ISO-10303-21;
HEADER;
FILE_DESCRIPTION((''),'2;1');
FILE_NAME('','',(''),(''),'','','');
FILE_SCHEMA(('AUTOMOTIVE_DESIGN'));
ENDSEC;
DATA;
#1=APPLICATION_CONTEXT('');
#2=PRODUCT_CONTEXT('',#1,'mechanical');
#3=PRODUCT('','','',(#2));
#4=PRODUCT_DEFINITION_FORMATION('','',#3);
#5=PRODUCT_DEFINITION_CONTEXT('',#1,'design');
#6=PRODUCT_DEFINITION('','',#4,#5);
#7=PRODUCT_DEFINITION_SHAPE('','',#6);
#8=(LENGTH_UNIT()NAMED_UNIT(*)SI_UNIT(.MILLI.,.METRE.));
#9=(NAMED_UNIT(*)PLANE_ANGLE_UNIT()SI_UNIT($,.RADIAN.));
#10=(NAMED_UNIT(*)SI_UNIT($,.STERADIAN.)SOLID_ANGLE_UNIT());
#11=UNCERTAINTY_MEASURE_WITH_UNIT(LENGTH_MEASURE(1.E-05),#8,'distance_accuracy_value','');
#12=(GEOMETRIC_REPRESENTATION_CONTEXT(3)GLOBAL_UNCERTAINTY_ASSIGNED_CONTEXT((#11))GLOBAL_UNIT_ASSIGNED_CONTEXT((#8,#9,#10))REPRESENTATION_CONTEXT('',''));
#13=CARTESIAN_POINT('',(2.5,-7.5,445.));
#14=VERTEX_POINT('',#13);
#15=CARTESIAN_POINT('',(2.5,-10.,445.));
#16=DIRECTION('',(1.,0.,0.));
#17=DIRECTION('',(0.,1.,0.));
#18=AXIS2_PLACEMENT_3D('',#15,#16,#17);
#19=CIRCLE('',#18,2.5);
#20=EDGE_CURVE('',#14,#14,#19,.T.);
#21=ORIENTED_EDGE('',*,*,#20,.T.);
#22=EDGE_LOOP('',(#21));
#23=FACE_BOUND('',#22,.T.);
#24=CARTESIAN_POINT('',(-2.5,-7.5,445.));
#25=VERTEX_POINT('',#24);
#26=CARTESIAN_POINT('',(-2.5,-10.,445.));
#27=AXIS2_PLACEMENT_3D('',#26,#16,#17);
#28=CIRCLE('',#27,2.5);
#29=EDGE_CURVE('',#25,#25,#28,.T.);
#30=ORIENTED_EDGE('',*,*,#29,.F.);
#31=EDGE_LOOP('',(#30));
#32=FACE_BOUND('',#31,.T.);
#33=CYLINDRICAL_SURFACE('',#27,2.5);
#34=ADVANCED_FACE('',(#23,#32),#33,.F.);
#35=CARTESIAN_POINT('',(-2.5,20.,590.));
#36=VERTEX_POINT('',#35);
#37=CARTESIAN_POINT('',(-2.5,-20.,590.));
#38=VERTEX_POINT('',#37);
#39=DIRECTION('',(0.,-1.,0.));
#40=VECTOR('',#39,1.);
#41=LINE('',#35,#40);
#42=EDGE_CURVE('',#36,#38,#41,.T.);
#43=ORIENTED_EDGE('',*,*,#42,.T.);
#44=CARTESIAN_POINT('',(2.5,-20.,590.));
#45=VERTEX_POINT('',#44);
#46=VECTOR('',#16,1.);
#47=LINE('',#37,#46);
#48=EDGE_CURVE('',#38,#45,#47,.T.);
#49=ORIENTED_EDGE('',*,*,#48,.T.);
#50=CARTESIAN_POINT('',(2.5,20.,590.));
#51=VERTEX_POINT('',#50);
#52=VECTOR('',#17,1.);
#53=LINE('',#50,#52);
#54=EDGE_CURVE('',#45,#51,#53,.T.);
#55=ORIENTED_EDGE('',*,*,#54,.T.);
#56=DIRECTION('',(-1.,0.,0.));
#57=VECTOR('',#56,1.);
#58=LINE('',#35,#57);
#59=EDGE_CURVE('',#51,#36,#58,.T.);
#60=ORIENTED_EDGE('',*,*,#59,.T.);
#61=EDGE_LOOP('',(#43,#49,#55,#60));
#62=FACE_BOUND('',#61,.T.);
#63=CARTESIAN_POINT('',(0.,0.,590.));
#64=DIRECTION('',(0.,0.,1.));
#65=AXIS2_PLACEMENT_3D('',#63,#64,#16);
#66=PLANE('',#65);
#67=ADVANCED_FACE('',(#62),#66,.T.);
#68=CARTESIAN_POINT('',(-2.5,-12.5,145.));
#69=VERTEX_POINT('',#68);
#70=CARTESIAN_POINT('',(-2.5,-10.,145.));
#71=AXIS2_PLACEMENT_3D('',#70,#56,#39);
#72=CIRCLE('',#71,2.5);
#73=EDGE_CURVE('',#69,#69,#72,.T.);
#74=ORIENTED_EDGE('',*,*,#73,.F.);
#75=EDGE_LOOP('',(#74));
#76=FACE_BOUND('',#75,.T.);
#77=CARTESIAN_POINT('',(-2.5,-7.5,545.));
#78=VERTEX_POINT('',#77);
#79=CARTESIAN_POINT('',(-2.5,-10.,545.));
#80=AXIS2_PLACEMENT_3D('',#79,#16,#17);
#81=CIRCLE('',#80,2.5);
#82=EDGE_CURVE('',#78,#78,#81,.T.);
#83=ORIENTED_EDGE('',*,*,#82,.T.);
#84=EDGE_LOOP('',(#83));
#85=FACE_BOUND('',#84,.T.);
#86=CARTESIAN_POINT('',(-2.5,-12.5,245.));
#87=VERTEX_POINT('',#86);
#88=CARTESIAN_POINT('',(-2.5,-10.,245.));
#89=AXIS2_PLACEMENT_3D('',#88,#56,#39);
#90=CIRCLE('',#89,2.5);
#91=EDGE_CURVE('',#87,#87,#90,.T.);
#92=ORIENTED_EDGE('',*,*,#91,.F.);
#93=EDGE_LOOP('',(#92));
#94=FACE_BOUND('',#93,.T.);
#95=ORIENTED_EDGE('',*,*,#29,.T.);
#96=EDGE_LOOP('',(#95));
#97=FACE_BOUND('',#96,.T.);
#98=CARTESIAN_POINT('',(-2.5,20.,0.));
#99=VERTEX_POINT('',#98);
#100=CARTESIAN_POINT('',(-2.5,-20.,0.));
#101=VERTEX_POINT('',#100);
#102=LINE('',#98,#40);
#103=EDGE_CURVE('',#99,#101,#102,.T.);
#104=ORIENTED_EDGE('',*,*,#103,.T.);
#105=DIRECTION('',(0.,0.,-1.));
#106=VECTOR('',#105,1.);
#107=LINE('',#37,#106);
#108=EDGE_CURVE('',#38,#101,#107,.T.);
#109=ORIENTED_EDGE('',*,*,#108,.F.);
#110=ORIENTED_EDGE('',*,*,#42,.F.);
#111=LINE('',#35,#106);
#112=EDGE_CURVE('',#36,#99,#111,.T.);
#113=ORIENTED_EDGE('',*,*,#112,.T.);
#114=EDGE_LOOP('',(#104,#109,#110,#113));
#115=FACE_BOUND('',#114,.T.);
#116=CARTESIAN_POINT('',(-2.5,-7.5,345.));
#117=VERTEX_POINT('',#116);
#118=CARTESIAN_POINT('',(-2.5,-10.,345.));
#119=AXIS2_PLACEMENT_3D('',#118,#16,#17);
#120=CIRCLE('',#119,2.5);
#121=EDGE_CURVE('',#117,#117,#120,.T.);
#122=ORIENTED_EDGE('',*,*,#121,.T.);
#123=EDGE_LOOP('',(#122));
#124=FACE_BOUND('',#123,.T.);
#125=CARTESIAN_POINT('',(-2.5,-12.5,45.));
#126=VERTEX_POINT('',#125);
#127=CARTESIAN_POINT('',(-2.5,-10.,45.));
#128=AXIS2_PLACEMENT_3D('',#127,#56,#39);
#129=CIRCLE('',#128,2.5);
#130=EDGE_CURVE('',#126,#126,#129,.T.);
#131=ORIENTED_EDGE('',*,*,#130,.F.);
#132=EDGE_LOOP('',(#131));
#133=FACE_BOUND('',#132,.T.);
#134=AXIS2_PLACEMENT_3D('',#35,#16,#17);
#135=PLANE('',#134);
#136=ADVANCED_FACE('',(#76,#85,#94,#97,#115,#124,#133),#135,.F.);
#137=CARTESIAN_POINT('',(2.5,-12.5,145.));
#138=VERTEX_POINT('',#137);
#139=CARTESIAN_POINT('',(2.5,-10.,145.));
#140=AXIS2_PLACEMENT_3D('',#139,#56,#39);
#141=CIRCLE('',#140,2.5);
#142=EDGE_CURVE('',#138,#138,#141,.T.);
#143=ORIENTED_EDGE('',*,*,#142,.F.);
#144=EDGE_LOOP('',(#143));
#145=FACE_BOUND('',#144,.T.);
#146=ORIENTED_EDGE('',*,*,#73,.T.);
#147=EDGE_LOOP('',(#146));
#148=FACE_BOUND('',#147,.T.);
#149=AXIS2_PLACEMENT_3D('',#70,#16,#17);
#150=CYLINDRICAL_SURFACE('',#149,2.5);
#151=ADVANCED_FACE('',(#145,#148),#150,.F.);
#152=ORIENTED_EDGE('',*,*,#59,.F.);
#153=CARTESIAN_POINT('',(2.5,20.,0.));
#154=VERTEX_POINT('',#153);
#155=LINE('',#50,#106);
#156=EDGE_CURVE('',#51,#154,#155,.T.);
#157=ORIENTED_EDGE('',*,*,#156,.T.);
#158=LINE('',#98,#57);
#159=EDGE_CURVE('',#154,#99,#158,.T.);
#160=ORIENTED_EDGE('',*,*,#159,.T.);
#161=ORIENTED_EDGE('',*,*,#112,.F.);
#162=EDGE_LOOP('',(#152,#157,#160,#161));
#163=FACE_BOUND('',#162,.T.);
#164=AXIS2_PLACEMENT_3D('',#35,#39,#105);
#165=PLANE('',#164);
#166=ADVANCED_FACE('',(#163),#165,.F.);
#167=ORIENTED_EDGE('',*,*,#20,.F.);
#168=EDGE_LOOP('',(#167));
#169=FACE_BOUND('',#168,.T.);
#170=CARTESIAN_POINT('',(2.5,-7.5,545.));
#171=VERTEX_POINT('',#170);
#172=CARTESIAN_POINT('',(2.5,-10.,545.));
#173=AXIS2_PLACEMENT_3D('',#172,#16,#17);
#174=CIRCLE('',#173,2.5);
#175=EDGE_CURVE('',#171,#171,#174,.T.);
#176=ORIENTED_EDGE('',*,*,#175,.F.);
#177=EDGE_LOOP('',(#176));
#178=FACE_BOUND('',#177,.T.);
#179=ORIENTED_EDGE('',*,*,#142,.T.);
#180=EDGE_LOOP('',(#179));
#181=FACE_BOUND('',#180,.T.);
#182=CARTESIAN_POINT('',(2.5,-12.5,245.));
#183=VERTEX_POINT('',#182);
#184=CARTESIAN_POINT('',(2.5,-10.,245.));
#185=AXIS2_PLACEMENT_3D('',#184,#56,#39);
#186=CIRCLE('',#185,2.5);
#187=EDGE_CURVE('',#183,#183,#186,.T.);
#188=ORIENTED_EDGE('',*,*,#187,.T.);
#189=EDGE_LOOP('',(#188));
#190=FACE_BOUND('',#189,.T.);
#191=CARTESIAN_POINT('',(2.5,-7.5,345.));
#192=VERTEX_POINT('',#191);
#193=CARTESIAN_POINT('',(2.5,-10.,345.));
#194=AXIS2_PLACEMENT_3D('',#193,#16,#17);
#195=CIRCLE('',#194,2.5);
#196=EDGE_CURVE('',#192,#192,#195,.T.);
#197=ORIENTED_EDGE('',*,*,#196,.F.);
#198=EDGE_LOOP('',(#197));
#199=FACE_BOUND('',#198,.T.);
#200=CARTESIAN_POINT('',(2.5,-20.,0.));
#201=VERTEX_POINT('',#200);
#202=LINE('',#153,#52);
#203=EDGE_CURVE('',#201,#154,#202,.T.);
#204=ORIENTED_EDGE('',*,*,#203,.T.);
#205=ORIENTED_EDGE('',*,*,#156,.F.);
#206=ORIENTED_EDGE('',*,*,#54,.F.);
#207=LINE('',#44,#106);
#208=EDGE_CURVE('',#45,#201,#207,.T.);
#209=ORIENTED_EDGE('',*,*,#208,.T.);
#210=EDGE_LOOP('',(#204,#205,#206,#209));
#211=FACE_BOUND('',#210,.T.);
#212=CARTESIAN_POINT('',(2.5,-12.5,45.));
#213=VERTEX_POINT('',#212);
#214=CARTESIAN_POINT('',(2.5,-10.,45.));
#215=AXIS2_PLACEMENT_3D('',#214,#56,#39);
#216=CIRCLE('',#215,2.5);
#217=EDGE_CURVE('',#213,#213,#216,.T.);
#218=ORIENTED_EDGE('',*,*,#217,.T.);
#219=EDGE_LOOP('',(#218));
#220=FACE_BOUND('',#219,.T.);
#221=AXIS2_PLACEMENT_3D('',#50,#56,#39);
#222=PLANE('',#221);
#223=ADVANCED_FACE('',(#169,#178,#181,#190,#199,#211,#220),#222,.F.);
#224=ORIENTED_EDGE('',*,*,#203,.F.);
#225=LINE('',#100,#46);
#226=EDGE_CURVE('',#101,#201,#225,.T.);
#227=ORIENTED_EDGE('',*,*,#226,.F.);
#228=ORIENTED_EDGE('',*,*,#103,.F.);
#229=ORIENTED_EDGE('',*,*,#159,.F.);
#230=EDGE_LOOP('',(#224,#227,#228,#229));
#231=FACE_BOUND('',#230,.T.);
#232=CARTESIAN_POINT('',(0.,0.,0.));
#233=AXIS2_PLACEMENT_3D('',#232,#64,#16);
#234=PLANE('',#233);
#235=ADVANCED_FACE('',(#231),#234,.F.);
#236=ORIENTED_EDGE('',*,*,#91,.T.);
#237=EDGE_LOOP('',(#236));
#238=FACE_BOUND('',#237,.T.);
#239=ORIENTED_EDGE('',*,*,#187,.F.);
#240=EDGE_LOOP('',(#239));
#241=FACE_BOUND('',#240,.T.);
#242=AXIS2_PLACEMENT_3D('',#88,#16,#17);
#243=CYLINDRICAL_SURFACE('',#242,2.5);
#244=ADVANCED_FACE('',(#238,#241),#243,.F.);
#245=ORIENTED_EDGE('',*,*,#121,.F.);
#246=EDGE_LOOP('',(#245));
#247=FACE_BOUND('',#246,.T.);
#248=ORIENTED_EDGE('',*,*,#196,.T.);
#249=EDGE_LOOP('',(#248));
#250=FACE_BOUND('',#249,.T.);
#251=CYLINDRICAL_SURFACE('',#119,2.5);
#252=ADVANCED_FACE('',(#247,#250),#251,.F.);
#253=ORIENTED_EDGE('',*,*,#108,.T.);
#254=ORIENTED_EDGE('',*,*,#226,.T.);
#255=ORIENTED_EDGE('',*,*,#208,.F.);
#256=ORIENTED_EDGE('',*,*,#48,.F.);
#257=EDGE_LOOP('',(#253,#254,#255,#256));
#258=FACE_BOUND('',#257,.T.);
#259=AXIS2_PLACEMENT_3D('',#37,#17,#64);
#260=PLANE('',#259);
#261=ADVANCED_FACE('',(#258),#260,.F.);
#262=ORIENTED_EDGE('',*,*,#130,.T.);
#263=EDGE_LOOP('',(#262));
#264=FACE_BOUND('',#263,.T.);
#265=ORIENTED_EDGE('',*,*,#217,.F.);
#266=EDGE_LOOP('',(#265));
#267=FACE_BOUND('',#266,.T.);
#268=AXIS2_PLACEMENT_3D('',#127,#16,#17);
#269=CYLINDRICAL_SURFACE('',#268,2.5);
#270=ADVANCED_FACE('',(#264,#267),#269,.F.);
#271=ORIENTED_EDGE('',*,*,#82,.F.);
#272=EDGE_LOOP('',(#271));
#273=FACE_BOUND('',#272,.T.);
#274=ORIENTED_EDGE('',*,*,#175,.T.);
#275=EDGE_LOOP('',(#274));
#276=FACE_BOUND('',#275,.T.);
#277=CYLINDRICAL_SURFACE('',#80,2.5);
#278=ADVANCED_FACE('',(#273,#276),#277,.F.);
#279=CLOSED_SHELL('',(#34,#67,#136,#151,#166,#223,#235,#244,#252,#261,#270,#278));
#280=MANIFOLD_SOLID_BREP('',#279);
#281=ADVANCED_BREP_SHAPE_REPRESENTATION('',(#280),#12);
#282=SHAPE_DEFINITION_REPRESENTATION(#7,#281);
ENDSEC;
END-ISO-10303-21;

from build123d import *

# Parameters (mm, degrees)
SKETCH_1_W          = 5
SKETCH_1_H          = 40
EXTRUDE_1_DEPTH     = 590
SKETCH_2_R          = 2.5
CUT_EXTRUDE_1_DEPTH = 591.360059625


with BuildPart() as part:
    # 草图1 → 凸台-拉伸1 (new body)
    with BuildSketch(Plane.XY):
        Rectangle(SKETCH_1_W, SKETCH_1_H)
    extrude(amount=EXTRUDE_1_DEPTH)

    # 草图2 → 切除-拉伸1 (cut, through all)
    with BuildSketch(Plane(origin=(2.5, 0, 0), x_dir=(0, 0, -1), z_dir=(1, 0, 0))):
        with Locations(Location((-345, -10, 0), (0, 0, 90))):
            Circle(SKETCH_2_R)
        with Locations(Location((-445, -10, 0), (0, 0, 90))):
            Circle(SKETCH_2_R)
        with Locations(Location((-145, -10, 0), (0, 0, 270))):
            Circle(SKETCH_2_R)
        with Locations(Location((-245, -10, 0), (0, 0, 270))):
            Circle(SKETCH_2_R)
        with Locations(Location((-545, -10, 0), (0, 0, 90))):
            Circle(SKETCH_2_R)
        with Locations(Location((-45, -10, 0), (0, 0, 270))):
            Circle(SKETCH_2_R)
    extrude(amount=-CUT_EXTRUDE_1_DEPTH, mode=Mode.SUBTRACT)


solid = part.part
